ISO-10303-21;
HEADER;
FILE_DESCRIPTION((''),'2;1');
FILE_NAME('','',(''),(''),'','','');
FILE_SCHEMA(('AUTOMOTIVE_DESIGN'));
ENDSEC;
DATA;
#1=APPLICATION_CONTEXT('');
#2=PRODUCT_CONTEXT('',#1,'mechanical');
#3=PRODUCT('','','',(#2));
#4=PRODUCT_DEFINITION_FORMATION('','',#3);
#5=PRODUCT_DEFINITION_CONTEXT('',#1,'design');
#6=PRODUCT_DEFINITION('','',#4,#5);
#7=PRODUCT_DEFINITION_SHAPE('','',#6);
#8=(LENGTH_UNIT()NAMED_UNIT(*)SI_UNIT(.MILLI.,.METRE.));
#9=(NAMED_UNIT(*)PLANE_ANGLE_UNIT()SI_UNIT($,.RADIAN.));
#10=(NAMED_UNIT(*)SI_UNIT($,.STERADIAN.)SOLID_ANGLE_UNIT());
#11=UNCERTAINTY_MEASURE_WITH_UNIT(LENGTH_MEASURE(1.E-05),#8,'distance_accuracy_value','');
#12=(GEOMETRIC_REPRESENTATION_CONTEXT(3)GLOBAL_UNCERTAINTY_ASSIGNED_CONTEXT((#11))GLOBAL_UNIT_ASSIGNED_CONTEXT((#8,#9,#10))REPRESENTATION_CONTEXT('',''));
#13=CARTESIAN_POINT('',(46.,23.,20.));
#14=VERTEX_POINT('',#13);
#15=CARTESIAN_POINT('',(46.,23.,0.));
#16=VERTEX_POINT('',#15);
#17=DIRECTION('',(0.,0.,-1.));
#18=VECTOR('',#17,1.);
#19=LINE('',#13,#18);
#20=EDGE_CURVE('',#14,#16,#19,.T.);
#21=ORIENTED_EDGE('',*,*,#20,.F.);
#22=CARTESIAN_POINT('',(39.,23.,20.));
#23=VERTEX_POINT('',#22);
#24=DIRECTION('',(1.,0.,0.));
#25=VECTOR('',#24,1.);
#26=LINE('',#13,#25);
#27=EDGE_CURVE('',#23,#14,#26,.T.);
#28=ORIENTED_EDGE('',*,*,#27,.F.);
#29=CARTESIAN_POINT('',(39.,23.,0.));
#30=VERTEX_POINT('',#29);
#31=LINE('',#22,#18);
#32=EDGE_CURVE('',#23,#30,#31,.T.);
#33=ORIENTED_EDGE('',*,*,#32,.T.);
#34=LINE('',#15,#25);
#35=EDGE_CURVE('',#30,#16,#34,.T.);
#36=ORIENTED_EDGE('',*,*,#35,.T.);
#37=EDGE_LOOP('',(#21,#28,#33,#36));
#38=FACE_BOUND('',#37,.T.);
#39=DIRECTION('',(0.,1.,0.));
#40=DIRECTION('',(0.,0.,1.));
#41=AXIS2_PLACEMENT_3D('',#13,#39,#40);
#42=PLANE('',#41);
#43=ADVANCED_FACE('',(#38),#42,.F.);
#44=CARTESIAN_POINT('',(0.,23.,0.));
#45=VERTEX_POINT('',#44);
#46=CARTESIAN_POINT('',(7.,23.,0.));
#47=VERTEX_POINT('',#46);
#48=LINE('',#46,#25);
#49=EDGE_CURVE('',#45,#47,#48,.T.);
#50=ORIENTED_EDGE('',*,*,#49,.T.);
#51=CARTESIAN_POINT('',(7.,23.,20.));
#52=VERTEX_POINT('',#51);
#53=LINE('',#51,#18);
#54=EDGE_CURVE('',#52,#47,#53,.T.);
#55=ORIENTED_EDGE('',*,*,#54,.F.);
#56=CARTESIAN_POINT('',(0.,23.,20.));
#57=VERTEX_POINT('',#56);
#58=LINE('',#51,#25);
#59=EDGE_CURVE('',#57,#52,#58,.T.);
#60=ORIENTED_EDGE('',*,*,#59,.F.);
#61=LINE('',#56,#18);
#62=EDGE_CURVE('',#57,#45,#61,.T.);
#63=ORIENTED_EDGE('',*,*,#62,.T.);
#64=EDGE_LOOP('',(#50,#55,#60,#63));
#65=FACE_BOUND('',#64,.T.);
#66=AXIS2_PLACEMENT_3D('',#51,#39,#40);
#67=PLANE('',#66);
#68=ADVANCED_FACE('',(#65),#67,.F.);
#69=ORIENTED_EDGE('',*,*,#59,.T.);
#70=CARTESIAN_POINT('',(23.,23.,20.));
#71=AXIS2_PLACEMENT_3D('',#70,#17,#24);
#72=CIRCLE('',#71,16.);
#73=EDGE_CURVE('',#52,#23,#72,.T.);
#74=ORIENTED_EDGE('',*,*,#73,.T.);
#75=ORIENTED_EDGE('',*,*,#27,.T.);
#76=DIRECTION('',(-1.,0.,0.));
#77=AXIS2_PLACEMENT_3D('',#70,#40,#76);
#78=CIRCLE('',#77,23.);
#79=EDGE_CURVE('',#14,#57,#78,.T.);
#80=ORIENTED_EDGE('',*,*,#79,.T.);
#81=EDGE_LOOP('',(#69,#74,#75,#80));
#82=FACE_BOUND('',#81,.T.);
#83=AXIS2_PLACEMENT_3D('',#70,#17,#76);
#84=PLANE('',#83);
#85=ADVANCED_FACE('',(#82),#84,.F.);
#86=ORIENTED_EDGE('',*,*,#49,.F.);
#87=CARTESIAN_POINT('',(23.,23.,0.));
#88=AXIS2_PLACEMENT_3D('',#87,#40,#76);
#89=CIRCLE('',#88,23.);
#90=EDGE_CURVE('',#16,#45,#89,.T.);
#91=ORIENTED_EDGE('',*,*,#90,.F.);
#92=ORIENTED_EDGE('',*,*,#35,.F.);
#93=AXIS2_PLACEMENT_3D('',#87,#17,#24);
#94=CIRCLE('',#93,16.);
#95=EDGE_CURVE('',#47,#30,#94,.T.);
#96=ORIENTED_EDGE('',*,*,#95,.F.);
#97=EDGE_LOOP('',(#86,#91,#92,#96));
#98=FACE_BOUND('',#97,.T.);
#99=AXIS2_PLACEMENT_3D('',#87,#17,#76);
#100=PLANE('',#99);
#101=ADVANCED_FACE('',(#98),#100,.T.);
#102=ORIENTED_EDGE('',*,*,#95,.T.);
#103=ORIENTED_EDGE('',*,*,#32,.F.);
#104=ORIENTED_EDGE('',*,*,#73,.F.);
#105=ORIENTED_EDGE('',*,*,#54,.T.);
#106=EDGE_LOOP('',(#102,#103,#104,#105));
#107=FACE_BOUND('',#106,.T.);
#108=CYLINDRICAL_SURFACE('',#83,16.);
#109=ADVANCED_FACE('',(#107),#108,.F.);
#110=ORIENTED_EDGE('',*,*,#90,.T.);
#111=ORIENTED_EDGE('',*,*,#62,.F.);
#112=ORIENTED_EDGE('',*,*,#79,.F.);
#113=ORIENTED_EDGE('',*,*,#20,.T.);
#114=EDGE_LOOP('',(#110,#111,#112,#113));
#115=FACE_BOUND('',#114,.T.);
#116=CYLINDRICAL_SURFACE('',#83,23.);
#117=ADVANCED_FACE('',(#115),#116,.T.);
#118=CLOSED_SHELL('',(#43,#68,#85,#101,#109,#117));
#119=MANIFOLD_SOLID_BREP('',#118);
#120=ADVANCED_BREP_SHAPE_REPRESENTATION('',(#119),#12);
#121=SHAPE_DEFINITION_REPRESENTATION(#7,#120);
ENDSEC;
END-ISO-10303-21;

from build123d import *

# Parameters (mm, degrees)
PROFILE_DEPTH = 20


with BuildPart() as part:
    # Sketch1 → Profile (new body)
    with BuildSketch(Plane.XY):
        with BuildLine():
            Line((46, 23), (39, 23))
            ThreePointArc((39, 23), (23, 39), (7, 23))
            Line((7, 23), (0, 23))
            ThreePointArc((0, 23), (23, 46), (46, 23))
        make_face()
    extrude(amount=PROFILE_DEPTH)


solid = part.part
